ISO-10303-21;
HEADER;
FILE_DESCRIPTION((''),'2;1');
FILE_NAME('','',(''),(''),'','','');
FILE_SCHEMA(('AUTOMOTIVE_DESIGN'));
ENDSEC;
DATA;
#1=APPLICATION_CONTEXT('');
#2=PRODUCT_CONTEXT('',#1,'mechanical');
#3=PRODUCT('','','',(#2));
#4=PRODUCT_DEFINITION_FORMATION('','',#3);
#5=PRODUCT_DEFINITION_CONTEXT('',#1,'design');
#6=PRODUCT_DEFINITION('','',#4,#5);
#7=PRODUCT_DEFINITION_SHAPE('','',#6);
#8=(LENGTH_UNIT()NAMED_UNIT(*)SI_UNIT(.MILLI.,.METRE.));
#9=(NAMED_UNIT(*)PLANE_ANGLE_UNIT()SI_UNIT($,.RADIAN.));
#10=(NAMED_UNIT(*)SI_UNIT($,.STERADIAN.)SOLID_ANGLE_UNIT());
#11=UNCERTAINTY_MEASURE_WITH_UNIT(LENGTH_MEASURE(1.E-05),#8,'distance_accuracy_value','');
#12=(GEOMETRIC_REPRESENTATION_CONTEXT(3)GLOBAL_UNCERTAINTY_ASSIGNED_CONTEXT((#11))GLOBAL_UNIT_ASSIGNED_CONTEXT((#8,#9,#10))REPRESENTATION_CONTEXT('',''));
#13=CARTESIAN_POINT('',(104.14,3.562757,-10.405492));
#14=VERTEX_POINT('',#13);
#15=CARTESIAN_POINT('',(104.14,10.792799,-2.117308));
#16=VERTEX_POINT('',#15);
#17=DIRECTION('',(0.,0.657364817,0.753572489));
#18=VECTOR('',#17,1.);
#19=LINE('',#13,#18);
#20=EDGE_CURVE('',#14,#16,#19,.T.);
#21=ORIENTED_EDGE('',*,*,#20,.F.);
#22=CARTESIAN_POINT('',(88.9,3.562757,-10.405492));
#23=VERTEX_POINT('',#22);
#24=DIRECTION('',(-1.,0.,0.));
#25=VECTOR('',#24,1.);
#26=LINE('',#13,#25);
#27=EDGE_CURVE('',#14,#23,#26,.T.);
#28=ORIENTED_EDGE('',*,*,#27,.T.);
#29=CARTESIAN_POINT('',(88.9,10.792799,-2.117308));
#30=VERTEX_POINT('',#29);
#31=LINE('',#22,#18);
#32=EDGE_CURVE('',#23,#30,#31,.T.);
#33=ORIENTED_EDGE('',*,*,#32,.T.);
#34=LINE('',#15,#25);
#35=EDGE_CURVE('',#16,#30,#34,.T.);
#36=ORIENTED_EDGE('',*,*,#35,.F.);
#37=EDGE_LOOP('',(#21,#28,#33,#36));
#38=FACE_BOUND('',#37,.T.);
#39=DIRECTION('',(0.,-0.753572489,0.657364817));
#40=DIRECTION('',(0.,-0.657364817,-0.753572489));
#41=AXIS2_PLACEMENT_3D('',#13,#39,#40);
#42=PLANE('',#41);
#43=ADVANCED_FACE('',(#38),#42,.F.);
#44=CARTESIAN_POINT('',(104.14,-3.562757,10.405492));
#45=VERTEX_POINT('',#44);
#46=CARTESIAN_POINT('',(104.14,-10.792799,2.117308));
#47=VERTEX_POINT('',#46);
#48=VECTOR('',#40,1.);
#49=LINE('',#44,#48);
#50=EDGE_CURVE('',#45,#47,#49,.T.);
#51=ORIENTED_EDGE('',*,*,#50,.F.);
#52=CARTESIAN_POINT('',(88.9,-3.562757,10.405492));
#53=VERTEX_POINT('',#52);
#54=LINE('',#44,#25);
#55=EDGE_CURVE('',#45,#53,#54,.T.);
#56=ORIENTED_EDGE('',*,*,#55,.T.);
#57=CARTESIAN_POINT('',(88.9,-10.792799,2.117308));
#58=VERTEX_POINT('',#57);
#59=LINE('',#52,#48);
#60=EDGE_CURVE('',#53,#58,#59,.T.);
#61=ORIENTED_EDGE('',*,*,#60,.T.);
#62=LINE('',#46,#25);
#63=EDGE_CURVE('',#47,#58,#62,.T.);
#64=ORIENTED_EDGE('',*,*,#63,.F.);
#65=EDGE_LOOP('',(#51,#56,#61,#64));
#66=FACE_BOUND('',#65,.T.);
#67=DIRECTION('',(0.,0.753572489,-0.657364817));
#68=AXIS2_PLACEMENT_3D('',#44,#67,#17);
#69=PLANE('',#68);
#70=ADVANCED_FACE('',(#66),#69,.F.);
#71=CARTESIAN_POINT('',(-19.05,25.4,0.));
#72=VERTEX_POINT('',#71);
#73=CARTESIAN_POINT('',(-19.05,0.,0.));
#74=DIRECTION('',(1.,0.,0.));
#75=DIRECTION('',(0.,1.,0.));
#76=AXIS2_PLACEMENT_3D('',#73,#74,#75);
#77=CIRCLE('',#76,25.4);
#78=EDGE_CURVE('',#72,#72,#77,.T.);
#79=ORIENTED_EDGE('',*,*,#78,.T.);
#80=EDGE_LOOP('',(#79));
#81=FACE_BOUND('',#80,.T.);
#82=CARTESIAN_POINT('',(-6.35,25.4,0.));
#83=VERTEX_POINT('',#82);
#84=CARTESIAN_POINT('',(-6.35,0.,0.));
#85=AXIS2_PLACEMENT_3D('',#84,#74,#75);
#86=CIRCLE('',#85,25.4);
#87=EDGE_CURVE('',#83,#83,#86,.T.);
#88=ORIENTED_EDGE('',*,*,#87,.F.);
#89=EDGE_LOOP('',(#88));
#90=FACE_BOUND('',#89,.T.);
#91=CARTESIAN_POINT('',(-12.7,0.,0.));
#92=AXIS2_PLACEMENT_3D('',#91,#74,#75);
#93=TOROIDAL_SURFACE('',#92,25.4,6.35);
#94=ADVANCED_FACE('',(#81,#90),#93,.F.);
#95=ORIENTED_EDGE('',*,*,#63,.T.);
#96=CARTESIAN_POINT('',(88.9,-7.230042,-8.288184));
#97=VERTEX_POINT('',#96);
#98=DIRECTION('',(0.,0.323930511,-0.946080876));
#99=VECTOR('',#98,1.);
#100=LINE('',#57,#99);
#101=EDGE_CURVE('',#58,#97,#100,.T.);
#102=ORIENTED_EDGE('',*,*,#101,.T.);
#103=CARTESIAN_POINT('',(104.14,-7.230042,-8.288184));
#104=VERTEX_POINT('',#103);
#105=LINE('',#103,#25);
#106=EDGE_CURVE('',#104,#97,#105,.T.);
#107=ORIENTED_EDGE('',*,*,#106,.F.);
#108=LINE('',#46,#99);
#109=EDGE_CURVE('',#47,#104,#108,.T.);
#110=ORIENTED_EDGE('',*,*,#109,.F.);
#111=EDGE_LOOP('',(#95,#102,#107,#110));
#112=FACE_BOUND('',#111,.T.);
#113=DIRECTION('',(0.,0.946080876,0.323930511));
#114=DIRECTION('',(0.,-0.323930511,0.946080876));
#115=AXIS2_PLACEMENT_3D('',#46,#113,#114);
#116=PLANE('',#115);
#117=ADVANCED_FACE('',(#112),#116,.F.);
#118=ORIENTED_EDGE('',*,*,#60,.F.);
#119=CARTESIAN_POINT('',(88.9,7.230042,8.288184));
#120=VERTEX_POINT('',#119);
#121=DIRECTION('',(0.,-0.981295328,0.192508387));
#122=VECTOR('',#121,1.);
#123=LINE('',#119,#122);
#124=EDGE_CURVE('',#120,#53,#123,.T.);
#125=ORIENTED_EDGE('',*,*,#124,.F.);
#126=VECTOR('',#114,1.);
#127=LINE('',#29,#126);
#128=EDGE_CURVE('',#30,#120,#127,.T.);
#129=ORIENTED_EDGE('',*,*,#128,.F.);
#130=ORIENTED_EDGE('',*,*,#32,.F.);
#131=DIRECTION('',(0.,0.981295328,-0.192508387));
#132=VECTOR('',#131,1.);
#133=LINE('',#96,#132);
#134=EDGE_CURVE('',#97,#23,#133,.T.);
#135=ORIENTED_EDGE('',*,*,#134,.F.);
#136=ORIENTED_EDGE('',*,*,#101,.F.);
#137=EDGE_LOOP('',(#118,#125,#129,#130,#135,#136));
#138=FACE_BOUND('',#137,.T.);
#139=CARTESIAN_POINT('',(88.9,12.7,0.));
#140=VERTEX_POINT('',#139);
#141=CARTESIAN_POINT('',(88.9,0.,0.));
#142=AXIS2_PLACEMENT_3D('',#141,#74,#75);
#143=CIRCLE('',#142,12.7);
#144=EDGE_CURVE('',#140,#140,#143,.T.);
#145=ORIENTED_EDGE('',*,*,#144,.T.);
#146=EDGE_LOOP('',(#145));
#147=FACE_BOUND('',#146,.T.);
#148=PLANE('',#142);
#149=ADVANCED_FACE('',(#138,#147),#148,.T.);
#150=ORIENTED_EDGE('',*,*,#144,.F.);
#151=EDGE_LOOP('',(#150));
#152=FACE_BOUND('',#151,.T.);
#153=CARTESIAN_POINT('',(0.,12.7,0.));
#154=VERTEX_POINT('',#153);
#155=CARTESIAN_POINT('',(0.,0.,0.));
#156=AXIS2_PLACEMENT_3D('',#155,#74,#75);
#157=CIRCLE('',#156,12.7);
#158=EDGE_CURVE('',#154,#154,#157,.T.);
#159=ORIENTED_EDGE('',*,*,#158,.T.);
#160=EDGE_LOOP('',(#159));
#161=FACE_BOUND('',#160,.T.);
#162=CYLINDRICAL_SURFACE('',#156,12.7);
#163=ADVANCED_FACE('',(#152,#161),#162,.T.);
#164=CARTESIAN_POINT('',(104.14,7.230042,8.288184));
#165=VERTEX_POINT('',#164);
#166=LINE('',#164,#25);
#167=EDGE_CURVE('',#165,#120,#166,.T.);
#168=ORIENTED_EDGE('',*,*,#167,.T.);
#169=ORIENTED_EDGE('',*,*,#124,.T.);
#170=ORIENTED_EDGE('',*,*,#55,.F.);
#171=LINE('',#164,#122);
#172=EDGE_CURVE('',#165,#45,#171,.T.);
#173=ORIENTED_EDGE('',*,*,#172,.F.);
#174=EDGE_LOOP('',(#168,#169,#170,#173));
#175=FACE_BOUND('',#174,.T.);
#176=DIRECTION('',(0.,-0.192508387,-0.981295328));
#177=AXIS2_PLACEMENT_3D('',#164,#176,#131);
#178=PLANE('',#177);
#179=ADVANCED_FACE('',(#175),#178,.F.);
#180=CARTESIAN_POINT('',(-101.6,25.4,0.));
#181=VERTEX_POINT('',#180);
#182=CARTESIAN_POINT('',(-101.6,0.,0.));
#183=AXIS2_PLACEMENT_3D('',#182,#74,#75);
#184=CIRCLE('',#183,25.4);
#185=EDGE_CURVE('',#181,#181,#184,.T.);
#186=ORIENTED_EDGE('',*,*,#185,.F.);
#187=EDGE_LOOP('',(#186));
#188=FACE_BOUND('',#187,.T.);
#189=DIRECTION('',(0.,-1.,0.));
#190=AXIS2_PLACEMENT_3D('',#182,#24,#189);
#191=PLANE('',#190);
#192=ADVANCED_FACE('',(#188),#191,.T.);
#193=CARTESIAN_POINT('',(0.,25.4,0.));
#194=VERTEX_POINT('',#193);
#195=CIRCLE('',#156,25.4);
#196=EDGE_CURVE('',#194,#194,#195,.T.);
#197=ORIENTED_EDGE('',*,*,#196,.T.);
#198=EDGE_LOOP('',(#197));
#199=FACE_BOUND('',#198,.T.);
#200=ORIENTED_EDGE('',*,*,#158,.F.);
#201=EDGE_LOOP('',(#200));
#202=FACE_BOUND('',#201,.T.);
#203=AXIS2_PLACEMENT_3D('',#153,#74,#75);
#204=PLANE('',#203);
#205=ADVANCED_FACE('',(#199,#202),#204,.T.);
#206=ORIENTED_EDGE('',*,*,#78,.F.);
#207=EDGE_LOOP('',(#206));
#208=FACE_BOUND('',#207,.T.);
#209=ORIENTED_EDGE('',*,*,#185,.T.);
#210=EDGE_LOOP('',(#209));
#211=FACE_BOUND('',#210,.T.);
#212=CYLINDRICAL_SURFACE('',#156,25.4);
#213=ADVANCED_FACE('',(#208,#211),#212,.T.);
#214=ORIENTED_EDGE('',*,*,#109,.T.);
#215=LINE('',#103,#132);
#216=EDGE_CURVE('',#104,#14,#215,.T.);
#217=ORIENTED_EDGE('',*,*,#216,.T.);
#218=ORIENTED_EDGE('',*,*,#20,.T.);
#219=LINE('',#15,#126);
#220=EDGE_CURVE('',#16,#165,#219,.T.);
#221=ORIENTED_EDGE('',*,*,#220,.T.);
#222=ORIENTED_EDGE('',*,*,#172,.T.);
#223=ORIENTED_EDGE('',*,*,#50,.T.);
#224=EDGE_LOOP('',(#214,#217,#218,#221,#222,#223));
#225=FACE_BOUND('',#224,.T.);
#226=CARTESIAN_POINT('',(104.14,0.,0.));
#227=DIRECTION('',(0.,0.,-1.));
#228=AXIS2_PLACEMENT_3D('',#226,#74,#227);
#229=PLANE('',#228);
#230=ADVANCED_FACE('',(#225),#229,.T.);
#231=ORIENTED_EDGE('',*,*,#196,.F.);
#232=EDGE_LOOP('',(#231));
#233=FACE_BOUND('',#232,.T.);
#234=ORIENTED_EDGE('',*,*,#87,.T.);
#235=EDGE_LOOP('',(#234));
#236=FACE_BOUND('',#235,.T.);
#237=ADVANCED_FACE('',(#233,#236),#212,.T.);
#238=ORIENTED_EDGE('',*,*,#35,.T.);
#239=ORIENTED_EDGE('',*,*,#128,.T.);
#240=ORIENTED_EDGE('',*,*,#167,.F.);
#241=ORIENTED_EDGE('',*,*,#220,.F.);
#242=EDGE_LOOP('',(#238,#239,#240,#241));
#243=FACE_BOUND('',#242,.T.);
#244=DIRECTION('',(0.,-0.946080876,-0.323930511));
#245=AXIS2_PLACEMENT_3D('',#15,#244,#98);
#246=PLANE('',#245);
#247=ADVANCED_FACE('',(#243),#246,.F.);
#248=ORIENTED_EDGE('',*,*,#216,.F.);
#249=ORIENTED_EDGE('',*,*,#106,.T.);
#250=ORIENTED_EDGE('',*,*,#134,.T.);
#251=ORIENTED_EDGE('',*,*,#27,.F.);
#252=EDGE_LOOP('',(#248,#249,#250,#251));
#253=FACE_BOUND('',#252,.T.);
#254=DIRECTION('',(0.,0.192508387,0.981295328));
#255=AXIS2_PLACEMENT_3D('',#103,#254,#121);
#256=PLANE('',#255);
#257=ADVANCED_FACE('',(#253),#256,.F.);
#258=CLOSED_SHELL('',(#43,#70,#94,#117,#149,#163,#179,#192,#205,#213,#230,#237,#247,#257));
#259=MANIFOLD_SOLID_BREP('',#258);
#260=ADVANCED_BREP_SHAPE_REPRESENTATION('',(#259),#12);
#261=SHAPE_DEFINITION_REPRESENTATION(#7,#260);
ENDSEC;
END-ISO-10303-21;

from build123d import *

# Parameters (mm, degrees)
BOSS_EXTRUDE1_DEPTH = 15.24


with BuildPart() as part:
    # Sketch1 → Revolve1 (revolve)
    with BuildSketch(Plane.XY):
        with BuildLine():
            Line((0, 0), (-101.6, 0))
            Line((-101.6, 0), (-101.6, 25.4))
            Line((-101.6, 25.4), (-19.05, 25.4))
            ThreePointArc((-19.05, 25.4), (-12.7, 19.05), (-6.35, 25.4))
            Line((-6.35, 25.4), (0, 25.4))
            Line((0, 25.4), (0, 12.7))
            Line((0, 12.7), (88.9, 12.7))
            Line((88.9, 12.7), (88.9, 0))
            Line((88.9, 0), (0, 0))
        make_face()
    revolve(axis=Axis((0, 0, 0), (-1, 0, 0)))

    # Sketch2 → Boss-Extrude1 (add)
    with BuildSketch(Plane(origin=(88.9, 0, 0), x_dir=(0, 0, -1), z_dir=(1, 0, 0))):
        Polygon((8.288184077, -7.230041819), (10.405491924, 3.562757053), (2.117307847, 10.792798872), (-8.288184077, 7.230041819), (-10.405491924, -3.562757053), (-2.117307847, -10.792798872), align=None)
    extrude(amount=BOSS_EXTRUDE1_DEPTH)


solid = part.part
